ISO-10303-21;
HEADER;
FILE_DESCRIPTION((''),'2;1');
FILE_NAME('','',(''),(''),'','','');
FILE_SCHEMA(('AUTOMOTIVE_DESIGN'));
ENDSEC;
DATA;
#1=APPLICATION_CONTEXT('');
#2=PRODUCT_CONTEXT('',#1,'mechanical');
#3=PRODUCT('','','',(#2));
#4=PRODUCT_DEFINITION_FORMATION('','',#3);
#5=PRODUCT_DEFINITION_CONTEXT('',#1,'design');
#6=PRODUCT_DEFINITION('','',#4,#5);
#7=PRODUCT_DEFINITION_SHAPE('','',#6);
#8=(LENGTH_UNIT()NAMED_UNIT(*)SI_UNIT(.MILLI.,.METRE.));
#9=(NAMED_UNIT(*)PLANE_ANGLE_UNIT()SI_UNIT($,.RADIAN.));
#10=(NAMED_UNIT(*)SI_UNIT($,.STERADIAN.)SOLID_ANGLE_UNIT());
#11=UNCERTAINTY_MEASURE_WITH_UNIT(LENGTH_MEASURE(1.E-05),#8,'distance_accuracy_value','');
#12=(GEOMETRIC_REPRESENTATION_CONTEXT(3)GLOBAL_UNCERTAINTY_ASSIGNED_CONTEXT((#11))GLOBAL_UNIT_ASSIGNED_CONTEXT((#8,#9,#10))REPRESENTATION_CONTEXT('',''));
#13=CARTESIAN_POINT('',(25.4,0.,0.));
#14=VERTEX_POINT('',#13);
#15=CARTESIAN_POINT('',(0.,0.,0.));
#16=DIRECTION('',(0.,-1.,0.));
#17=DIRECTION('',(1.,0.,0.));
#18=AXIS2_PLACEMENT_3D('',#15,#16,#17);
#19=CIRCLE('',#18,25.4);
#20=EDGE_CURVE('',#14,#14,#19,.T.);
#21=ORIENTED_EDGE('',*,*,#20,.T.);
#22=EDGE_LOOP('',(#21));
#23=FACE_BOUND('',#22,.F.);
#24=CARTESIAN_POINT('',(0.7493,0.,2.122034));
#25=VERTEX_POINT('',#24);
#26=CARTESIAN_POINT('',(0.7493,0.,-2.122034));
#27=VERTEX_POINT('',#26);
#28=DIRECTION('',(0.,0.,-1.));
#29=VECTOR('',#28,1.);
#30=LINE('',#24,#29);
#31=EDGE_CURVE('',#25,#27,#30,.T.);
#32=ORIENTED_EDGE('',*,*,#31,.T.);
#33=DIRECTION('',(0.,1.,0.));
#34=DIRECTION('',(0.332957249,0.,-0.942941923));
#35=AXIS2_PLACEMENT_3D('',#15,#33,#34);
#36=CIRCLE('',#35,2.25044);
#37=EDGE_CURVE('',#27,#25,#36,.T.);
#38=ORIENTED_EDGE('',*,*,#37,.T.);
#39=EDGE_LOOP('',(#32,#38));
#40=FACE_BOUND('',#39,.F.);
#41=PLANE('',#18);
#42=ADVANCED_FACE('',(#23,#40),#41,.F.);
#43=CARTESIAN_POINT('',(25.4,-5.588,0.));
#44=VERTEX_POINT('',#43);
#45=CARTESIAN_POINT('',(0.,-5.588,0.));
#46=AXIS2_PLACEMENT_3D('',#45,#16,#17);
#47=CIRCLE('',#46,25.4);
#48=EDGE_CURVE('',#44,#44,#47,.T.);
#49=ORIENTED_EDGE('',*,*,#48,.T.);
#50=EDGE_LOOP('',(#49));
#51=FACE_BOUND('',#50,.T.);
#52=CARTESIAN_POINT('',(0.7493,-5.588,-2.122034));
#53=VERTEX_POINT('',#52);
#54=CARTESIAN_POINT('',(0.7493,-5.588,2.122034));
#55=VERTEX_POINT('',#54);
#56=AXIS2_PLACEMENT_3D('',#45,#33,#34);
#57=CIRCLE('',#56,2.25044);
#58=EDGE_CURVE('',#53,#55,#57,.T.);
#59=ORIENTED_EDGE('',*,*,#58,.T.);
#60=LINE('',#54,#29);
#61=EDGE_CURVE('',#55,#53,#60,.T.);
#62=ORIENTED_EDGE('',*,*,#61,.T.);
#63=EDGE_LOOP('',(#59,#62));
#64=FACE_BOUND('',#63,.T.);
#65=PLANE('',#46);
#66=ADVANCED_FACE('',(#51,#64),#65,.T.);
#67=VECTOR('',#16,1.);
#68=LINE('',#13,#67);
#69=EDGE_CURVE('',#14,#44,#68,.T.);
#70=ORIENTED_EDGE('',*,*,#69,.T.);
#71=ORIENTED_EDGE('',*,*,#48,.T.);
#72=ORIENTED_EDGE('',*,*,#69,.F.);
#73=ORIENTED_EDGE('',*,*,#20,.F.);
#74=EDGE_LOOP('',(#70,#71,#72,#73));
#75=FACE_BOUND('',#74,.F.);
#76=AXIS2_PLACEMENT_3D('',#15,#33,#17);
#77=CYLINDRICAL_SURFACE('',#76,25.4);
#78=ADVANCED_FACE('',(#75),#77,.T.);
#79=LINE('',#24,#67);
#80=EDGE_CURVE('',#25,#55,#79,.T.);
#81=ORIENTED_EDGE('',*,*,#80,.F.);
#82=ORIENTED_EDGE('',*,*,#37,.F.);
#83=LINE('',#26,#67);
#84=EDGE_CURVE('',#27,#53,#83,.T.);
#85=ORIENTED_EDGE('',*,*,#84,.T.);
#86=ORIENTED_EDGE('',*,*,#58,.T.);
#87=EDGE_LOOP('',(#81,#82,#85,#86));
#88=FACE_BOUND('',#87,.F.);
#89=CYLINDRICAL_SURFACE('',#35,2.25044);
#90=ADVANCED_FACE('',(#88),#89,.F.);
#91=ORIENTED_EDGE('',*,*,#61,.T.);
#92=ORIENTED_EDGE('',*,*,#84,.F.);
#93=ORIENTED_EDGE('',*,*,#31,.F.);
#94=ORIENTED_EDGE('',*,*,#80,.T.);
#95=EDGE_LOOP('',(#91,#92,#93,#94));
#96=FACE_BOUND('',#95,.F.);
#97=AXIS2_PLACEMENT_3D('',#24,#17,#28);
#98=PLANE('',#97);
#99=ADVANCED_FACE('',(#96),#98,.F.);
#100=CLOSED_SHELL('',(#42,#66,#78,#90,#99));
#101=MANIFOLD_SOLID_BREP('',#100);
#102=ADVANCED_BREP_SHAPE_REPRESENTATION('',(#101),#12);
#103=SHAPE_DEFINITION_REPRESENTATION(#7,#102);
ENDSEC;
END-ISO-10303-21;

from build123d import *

# Parameters (mm, degrees)
F0_R     = 25.4
F1_DEPTH = 5.588


with BuildPart() as f1:
    # F0 (on Front) → F1 (new body)
    with BuildSketch(Plane.XZ):
        Circle(F0_R)
        with BuildLine():
            ThreePointArc((0.7493, 2.122034), (1.837217, 1.299659), (2.25044, 0))
            ThreePointArc((2.25044, 0), (1.837217, -1.299659), (0.7493, -2.122034))
            ThreePointArc((0.7493, -2.122034), (-2.25044, 0), (0.7493, 2.122034))
        make_face(mode=Mode.SUBTRACT)
        with BuildLine():
            ThreePointArc((0.7493, -2.122034), (1.837217, -1.299659), (2.25044, 0))
            ThreePointArc((2.25044, 0), (1.837217, 1.299659), (0.7493, 2.122034))
            Line((0.7493, 2.122034), (0.7493, -2.122034))
        make_face()
    extrude(amount=F1_DEPTH)


solid = f1.part
